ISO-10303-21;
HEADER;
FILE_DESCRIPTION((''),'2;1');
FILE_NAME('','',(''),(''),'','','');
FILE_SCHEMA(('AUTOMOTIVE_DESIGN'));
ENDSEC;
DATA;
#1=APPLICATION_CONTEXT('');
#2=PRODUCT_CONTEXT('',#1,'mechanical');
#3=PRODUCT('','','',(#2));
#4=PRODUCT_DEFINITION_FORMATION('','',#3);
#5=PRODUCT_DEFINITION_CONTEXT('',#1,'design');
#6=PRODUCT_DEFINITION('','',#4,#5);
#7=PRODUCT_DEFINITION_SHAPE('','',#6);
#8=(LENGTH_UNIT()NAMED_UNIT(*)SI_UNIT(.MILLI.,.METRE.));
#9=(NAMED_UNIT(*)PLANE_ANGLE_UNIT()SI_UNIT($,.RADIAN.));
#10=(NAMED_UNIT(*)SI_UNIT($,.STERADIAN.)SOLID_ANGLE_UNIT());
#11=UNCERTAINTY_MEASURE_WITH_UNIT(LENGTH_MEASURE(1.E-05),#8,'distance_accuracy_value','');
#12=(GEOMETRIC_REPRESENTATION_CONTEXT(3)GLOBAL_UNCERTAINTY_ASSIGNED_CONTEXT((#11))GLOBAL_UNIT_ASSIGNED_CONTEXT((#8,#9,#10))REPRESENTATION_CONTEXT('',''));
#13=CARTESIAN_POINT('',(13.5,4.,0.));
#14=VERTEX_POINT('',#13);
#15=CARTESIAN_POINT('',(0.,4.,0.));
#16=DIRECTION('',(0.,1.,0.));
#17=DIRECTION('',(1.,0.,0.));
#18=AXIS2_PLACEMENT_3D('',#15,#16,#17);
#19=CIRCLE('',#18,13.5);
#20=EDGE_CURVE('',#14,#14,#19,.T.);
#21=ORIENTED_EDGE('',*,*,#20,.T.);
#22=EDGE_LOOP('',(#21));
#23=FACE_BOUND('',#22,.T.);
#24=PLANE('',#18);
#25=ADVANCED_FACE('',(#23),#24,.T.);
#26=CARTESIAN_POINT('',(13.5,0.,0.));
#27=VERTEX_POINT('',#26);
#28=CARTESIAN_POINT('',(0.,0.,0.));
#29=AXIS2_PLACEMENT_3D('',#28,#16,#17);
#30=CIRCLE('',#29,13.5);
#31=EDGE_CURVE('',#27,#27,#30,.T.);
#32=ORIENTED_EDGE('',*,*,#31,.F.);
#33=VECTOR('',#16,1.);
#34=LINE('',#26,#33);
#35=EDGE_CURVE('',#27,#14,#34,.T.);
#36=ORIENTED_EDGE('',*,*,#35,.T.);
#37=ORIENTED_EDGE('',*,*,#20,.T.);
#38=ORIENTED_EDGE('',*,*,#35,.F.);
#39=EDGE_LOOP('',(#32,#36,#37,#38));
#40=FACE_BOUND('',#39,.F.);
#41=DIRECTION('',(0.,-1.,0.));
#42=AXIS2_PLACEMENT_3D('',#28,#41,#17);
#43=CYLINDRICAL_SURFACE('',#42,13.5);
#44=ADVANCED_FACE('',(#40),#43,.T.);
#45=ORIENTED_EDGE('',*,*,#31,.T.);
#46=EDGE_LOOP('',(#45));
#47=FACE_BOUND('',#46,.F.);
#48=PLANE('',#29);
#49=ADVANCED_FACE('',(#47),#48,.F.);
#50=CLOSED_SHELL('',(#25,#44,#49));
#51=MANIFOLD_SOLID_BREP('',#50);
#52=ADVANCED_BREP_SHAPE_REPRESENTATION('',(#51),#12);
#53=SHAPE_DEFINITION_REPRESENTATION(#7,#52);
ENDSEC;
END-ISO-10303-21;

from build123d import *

# Parameters (mm, degrees)
SKETCH_1_R      = 13.5
EXTRUDE_1_DEPTH = 4


with BuildPart() as part:
    # 스케치1 → 보스-돌출1 (new body)
    with BuildSketch(Plane(origin=(0, 0, 0), x_dir=(1, 0, 0), z_dir=(0, 1, 0))):
        Circle(SKETCH_1_R)
    extrude(amount=EXTRUDE_1_DEPTH)


solid = part.part
